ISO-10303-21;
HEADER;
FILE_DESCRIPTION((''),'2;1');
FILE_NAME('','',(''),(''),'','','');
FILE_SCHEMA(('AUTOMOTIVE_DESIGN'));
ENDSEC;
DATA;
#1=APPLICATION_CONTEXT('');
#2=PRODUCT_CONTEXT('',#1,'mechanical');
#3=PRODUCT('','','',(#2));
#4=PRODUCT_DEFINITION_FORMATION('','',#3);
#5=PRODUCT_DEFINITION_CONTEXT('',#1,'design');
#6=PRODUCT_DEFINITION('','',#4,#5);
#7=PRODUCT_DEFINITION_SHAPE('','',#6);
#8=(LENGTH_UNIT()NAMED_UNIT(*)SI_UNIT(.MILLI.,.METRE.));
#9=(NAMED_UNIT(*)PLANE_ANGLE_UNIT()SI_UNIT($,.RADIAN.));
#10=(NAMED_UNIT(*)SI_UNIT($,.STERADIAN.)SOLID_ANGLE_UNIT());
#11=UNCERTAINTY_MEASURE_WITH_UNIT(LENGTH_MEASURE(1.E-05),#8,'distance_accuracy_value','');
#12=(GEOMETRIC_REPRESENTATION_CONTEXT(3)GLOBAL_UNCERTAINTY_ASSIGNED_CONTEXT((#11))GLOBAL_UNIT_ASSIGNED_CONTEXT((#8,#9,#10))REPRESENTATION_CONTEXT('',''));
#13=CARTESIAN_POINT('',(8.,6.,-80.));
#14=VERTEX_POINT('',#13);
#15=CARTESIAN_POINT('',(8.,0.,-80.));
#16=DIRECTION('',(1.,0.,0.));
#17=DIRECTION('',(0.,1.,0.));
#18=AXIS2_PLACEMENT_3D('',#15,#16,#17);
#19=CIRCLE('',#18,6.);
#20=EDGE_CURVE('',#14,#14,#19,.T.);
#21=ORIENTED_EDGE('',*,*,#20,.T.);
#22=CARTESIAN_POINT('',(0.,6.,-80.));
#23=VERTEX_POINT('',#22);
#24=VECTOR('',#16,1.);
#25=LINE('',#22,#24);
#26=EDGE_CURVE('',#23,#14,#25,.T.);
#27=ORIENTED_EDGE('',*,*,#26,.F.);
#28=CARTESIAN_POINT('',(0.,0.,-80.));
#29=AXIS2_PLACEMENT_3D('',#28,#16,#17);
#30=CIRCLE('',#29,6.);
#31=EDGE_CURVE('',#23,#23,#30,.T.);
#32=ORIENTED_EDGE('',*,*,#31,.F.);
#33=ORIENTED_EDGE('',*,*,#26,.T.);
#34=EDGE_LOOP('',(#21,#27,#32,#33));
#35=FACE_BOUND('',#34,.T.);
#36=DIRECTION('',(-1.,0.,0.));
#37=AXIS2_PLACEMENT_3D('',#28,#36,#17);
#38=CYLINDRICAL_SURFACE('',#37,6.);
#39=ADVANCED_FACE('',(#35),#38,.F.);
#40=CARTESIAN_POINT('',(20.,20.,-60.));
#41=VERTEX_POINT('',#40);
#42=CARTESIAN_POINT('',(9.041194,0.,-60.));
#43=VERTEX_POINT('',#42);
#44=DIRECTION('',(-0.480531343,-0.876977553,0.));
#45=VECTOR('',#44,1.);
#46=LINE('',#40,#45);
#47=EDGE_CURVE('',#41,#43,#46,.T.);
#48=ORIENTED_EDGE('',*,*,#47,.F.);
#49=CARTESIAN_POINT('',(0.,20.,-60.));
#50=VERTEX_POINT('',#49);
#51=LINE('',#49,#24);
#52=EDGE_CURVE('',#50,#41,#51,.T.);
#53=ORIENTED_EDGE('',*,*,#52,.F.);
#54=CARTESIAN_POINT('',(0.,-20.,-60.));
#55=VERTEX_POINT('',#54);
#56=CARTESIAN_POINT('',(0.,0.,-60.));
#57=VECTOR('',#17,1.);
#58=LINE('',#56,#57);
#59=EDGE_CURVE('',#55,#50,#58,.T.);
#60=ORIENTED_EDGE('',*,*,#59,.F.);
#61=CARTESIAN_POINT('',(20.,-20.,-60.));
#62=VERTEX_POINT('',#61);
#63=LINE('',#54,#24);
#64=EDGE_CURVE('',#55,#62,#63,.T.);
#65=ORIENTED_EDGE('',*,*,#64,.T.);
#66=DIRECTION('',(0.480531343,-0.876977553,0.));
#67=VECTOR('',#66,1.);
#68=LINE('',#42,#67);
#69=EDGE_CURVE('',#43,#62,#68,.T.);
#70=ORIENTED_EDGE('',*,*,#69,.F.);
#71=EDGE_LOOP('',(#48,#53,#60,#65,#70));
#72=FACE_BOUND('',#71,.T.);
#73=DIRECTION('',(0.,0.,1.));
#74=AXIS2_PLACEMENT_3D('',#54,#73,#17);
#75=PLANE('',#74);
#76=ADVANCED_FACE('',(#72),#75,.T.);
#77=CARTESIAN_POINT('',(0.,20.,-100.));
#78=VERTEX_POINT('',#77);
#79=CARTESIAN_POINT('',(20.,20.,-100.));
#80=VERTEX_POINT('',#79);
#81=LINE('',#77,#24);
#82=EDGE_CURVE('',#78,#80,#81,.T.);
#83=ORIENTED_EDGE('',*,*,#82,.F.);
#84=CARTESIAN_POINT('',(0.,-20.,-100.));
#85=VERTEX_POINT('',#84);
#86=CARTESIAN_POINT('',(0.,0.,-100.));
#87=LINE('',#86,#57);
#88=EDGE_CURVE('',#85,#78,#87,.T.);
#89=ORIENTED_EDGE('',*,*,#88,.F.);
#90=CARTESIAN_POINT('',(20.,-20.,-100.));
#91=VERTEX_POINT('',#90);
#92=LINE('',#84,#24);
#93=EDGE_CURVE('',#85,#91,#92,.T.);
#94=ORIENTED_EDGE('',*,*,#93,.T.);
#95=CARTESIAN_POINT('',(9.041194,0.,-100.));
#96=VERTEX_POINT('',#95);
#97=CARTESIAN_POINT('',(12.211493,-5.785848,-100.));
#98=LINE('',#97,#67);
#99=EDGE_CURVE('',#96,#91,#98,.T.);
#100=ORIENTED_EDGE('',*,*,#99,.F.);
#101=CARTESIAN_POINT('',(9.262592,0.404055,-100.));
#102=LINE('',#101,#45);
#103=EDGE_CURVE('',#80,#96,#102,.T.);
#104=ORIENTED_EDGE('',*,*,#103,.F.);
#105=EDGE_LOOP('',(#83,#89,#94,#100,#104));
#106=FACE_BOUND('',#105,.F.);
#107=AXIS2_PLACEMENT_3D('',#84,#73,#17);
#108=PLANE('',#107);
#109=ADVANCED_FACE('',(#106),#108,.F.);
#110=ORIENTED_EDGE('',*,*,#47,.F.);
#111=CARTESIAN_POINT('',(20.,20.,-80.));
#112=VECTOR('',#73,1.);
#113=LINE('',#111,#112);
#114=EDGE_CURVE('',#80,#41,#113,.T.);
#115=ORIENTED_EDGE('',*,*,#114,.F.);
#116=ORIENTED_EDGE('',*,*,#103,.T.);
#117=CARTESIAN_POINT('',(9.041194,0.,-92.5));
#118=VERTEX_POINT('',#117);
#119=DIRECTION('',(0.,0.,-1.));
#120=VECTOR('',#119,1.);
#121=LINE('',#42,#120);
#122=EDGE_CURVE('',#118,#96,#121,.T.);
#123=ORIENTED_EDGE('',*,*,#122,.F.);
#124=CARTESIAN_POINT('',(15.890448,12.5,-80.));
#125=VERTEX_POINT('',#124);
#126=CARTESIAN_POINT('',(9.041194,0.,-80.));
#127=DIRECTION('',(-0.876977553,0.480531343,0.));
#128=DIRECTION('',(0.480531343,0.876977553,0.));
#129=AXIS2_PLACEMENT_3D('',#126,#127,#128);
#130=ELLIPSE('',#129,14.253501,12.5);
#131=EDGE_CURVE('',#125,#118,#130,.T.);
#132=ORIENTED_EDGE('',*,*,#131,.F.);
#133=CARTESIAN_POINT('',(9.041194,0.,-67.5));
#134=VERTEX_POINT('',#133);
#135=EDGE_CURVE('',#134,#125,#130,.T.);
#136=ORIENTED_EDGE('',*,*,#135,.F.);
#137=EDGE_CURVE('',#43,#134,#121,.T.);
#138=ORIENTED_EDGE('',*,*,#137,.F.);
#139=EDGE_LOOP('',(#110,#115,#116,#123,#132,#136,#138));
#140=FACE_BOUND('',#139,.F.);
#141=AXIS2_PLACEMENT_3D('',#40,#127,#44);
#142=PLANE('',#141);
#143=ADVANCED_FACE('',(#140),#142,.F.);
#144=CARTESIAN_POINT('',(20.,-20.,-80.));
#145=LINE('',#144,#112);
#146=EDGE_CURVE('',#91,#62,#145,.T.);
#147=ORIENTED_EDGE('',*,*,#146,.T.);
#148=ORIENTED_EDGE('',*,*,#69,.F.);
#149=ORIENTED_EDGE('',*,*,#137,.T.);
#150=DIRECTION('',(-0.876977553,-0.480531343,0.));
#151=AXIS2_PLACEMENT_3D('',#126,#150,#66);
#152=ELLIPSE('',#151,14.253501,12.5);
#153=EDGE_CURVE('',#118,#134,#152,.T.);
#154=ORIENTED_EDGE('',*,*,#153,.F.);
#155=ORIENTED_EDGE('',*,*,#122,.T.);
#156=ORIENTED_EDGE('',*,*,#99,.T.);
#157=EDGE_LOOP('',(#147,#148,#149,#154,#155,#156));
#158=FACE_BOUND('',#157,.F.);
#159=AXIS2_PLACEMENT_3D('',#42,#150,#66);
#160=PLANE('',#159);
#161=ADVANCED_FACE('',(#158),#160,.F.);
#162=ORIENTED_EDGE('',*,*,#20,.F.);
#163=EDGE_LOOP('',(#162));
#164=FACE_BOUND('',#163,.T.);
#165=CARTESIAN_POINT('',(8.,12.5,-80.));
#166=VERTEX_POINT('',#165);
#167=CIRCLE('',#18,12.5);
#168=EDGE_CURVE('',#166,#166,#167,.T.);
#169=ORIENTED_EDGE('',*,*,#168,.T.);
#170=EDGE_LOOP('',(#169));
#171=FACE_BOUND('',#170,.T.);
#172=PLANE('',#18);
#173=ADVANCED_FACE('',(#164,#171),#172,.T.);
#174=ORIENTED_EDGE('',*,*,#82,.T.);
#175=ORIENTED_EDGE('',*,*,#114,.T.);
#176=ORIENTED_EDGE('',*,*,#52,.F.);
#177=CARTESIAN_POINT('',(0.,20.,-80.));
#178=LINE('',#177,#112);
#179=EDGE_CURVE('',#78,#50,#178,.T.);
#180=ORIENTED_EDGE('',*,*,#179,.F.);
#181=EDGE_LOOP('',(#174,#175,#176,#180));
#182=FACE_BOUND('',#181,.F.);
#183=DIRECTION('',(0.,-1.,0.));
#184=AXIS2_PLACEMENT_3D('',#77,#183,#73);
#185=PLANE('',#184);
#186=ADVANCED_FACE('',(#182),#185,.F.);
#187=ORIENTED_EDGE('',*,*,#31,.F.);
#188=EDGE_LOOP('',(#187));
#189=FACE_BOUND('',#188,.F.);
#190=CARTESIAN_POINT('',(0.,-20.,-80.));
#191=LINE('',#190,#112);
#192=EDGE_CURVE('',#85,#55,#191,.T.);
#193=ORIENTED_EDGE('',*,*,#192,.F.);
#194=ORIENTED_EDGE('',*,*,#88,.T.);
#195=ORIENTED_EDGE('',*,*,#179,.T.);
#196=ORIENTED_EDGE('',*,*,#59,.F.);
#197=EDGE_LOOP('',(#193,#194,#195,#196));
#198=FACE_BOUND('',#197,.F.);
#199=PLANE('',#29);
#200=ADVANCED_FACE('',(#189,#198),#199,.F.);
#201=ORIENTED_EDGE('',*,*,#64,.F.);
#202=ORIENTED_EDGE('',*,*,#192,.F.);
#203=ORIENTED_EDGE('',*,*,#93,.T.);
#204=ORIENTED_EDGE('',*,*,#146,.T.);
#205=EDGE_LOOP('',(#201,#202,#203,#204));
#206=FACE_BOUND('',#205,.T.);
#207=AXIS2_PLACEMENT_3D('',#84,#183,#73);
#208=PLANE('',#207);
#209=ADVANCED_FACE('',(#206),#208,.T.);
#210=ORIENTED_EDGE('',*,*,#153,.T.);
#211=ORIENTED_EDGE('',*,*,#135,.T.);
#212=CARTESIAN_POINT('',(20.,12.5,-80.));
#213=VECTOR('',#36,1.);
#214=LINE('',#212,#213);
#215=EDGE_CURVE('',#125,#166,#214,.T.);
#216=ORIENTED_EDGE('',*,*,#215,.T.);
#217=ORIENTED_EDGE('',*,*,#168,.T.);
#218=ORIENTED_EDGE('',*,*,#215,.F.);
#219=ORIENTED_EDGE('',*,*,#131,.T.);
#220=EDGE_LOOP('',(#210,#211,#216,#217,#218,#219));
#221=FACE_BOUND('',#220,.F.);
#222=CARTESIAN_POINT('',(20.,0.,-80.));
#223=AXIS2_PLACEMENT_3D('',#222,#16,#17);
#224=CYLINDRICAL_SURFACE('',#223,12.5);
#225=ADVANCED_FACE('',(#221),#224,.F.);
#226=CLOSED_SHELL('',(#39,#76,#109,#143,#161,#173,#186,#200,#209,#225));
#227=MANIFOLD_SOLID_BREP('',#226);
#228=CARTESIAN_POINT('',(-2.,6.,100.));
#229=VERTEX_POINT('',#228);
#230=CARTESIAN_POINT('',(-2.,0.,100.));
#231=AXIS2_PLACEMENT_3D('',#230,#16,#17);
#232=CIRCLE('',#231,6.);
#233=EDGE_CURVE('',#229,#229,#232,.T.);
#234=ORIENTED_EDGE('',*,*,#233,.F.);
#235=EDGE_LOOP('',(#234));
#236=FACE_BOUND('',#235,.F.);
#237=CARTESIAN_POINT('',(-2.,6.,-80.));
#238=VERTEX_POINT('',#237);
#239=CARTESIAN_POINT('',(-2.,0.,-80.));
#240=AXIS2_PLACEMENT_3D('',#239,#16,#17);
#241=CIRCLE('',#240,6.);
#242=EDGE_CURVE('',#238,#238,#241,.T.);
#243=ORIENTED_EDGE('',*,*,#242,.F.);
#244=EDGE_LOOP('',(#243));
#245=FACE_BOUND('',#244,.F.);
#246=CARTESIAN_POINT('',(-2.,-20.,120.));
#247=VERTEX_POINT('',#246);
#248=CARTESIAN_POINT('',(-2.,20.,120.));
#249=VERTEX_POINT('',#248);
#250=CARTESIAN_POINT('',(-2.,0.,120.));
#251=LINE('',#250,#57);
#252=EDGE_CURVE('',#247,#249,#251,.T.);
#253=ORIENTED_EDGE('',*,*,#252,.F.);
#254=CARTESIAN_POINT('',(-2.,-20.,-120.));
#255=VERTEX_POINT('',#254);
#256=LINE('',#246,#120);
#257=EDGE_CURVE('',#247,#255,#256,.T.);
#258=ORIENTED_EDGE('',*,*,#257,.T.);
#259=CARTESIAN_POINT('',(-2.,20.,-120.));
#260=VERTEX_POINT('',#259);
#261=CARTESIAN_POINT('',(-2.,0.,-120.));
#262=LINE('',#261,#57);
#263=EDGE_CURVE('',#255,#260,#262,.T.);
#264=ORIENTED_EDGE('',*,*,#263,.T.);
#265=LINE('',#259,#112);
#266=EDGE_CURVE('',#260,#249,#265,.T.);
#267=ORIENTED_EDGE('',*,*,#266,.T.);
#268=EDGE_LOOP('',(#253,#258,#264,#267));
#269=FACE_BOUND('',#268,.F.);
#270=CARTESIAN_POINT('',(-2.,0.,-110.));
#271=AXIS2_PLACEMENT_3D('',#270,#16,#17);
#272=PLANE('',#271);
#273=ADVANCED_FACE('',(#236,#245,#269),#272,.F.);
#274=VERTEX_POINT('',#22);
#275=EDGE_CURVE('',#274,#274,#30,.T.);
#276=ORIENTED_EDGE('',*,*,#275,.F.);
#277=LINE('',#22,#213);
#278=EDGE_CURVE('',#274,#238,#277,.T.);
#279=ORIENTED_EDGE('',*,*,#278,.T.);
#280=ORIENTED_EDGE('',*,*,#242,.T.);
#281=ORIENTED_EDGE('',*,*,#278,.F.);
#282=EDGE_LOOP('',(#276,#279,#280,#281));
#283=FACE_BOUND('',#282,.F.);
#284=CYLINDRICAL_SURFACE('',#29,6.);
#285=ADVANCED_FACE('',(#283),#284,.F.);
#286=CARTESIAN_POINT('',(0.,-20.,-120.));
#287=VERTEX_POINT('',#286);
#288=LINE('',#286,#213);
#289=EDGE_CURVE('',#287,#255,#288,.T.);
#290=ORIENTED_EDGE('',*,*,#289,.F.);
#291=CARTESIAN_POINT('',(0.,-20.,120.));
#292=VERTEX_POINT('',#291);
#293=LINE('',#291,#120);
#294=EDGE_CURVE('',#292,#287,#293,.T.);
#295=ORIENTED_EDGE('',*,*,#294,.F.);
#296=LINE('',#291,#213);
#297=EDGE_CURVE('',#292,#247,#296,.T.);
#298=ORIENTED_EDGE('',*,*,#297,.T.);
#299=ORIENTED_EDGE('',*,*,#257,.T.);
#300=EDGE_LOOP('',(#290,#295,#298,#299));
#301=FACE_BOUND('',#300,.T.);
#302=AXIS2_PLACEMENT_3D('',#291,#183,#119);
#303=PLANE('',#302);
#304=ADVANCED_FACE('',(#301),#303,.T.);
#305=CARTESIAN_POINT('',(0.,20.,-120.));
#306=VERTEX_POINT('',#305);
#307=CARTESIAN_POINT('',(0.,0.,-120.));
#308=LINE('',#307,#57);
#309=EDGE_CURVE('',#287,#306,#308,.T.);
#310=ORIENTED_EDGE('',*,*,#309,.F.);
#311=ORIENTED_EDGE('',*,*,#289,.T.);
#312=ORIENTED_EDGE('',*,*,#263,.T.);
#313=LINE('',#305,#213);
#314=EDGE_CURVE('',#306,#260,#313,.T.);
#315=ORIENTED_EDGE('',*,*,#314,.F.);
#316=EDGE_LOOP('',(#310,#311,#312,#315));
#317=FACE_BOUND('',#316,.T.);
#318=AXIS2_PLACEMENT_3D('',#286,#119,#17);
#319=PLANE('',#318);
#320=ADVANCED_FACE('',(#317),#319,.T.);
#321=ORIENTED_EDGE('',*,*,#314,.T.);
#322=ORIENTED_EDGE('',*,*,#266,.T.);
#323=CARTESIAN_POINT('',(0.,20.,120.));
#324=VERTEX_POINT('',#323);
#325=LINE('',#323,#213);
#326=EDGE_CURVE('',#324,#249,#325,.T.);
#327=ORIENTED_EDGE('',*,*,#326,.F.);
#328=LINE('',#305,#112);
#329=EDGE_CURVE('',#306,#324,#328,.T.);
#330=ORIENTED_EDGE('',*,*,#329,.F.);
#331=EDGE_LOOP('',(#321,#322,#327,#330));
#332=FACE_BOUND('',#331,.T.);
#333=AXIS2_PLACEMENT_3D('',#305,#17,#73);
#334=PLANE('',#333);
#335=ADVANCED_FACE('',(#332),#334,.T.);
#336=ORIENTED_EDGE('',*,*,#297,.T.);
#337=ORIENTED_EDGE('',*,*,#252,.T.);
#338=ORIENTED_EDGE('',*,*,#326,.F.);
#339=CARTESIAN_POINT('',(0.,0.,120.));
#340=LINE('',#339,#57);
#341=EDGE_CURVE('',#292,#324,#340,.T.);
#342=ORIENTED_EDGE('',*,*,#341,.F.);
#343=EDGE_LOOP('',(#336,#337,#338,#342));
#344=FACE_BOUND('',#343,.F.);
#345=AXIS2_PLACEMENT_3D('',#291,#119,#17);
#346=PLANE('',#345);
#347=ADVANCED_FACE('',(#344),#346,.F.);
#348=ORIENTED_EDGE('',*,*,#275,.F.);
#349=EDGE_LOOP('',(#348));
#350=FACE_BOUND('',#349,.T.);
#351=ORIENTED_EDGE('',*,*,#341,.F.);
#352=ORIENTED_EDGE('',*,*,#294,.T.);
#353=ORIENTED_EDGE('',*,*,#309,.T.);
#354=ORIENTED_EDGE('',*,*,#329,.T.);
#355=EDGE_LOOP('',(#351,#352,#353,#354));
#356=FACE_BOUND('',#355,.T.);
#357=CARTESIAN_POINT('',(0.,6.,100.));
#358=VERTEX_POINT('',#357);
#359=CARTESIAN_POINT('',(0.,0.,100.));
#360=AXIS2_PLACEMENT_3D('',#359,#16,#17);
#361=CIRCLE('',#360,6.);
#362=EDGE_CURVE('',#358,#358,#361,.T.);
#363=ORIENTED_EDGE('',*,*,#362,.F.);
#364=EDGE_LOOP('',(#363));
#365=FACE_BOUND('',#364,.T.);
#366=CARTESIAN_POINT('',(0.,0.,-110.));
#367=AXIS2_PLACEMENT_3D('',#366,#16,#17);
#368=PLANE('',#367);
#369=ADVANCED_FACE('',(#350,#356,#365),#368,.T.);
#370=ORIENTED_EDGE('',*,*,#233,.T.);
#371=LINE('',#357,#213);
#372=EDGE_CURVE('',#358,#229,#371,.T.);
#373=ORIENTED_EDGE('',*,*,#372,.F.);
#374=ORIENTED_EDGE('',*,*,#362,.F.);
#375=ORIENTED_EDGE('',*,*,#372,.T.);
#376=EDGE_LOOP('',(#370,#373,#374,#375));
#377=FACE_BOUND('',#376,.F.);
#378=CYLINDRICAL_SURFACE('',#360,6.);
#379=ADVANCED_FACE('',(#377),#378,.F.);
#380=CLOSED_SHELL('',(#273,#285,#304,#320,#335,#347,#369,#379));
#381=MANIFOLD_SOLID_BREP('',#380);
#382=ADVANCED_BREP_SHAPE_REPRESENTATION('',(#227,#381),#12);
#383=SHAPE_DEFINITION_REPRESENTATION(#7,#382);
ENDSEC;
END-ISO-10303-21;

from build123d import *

# Parameters (mm, degrees)
F0_W     = 40
F0_H     = 20
F0_H_2   = 180
F0_R     = 6
F0_H_3   = 40
F1_DEPTH = 2
F2_DEPTH = 20
F3_R     = 12.5
F3_R_2   = 6
F4_DEPTH = 12
F6_DEPTH = 60.001


with BuildPart() as f1:
    # F0 (on Right) → F1 (new body)
    with BuildSketch(Plane.YZ):
        with Locations((0, -110)):
            Rectangle(F0_W, F0_H)
        with Locations((0, 30)):
            Rectangle(F0_W, F0_H_2)
        with Locations((0, 100)):
            Circle(F0_R, mode=Mode.SUBTRACT)
        with Locations((0, -80)):
            Rectangle(F0_W, F0_H_3)
        with Locations((0, -80)):
            Circle(F0_R, mode=Mode.SUBTRACT)
    extrude(amount=-F1_DEPTH)


with BuildPart() as f2:
    # F0 (on Right) → F2 (new body)
    with BuildSketch(Plane.YZ):
        with Locations((0, -80)):
            Rectangle(F0_W, F0_H_3)
        with Locations((0, -80)):
            Circle(F0_R, mode=Mode.SUBTRACT)
    extrude(amount=F2_DEPTH)

    # F3 (on face) → F4 (cut)
    with BuildSketch(Plane.YZ.offset(20)):
        with Locations((0, -80)):
            Circle(F3_R)
        with Locations((0, -80)):
            Circle(F3_R_2, mode=Mode.SUBTRACT)
    extrude(amount=-F4_DEPTH, mode=Mode.SUBTRACT)

    # F5 (on face) → F6 (cut, through all)
    with BuildSketch(Plane.XY.offset(-60)):
        Polygon((9.041194, 0), (20, -20), (20, 20), align=None)
    extrude(amount=-F6_DEPTH, mode=Mode.SUBTRACT)


solid = Compound([f1.part, f2.part])
